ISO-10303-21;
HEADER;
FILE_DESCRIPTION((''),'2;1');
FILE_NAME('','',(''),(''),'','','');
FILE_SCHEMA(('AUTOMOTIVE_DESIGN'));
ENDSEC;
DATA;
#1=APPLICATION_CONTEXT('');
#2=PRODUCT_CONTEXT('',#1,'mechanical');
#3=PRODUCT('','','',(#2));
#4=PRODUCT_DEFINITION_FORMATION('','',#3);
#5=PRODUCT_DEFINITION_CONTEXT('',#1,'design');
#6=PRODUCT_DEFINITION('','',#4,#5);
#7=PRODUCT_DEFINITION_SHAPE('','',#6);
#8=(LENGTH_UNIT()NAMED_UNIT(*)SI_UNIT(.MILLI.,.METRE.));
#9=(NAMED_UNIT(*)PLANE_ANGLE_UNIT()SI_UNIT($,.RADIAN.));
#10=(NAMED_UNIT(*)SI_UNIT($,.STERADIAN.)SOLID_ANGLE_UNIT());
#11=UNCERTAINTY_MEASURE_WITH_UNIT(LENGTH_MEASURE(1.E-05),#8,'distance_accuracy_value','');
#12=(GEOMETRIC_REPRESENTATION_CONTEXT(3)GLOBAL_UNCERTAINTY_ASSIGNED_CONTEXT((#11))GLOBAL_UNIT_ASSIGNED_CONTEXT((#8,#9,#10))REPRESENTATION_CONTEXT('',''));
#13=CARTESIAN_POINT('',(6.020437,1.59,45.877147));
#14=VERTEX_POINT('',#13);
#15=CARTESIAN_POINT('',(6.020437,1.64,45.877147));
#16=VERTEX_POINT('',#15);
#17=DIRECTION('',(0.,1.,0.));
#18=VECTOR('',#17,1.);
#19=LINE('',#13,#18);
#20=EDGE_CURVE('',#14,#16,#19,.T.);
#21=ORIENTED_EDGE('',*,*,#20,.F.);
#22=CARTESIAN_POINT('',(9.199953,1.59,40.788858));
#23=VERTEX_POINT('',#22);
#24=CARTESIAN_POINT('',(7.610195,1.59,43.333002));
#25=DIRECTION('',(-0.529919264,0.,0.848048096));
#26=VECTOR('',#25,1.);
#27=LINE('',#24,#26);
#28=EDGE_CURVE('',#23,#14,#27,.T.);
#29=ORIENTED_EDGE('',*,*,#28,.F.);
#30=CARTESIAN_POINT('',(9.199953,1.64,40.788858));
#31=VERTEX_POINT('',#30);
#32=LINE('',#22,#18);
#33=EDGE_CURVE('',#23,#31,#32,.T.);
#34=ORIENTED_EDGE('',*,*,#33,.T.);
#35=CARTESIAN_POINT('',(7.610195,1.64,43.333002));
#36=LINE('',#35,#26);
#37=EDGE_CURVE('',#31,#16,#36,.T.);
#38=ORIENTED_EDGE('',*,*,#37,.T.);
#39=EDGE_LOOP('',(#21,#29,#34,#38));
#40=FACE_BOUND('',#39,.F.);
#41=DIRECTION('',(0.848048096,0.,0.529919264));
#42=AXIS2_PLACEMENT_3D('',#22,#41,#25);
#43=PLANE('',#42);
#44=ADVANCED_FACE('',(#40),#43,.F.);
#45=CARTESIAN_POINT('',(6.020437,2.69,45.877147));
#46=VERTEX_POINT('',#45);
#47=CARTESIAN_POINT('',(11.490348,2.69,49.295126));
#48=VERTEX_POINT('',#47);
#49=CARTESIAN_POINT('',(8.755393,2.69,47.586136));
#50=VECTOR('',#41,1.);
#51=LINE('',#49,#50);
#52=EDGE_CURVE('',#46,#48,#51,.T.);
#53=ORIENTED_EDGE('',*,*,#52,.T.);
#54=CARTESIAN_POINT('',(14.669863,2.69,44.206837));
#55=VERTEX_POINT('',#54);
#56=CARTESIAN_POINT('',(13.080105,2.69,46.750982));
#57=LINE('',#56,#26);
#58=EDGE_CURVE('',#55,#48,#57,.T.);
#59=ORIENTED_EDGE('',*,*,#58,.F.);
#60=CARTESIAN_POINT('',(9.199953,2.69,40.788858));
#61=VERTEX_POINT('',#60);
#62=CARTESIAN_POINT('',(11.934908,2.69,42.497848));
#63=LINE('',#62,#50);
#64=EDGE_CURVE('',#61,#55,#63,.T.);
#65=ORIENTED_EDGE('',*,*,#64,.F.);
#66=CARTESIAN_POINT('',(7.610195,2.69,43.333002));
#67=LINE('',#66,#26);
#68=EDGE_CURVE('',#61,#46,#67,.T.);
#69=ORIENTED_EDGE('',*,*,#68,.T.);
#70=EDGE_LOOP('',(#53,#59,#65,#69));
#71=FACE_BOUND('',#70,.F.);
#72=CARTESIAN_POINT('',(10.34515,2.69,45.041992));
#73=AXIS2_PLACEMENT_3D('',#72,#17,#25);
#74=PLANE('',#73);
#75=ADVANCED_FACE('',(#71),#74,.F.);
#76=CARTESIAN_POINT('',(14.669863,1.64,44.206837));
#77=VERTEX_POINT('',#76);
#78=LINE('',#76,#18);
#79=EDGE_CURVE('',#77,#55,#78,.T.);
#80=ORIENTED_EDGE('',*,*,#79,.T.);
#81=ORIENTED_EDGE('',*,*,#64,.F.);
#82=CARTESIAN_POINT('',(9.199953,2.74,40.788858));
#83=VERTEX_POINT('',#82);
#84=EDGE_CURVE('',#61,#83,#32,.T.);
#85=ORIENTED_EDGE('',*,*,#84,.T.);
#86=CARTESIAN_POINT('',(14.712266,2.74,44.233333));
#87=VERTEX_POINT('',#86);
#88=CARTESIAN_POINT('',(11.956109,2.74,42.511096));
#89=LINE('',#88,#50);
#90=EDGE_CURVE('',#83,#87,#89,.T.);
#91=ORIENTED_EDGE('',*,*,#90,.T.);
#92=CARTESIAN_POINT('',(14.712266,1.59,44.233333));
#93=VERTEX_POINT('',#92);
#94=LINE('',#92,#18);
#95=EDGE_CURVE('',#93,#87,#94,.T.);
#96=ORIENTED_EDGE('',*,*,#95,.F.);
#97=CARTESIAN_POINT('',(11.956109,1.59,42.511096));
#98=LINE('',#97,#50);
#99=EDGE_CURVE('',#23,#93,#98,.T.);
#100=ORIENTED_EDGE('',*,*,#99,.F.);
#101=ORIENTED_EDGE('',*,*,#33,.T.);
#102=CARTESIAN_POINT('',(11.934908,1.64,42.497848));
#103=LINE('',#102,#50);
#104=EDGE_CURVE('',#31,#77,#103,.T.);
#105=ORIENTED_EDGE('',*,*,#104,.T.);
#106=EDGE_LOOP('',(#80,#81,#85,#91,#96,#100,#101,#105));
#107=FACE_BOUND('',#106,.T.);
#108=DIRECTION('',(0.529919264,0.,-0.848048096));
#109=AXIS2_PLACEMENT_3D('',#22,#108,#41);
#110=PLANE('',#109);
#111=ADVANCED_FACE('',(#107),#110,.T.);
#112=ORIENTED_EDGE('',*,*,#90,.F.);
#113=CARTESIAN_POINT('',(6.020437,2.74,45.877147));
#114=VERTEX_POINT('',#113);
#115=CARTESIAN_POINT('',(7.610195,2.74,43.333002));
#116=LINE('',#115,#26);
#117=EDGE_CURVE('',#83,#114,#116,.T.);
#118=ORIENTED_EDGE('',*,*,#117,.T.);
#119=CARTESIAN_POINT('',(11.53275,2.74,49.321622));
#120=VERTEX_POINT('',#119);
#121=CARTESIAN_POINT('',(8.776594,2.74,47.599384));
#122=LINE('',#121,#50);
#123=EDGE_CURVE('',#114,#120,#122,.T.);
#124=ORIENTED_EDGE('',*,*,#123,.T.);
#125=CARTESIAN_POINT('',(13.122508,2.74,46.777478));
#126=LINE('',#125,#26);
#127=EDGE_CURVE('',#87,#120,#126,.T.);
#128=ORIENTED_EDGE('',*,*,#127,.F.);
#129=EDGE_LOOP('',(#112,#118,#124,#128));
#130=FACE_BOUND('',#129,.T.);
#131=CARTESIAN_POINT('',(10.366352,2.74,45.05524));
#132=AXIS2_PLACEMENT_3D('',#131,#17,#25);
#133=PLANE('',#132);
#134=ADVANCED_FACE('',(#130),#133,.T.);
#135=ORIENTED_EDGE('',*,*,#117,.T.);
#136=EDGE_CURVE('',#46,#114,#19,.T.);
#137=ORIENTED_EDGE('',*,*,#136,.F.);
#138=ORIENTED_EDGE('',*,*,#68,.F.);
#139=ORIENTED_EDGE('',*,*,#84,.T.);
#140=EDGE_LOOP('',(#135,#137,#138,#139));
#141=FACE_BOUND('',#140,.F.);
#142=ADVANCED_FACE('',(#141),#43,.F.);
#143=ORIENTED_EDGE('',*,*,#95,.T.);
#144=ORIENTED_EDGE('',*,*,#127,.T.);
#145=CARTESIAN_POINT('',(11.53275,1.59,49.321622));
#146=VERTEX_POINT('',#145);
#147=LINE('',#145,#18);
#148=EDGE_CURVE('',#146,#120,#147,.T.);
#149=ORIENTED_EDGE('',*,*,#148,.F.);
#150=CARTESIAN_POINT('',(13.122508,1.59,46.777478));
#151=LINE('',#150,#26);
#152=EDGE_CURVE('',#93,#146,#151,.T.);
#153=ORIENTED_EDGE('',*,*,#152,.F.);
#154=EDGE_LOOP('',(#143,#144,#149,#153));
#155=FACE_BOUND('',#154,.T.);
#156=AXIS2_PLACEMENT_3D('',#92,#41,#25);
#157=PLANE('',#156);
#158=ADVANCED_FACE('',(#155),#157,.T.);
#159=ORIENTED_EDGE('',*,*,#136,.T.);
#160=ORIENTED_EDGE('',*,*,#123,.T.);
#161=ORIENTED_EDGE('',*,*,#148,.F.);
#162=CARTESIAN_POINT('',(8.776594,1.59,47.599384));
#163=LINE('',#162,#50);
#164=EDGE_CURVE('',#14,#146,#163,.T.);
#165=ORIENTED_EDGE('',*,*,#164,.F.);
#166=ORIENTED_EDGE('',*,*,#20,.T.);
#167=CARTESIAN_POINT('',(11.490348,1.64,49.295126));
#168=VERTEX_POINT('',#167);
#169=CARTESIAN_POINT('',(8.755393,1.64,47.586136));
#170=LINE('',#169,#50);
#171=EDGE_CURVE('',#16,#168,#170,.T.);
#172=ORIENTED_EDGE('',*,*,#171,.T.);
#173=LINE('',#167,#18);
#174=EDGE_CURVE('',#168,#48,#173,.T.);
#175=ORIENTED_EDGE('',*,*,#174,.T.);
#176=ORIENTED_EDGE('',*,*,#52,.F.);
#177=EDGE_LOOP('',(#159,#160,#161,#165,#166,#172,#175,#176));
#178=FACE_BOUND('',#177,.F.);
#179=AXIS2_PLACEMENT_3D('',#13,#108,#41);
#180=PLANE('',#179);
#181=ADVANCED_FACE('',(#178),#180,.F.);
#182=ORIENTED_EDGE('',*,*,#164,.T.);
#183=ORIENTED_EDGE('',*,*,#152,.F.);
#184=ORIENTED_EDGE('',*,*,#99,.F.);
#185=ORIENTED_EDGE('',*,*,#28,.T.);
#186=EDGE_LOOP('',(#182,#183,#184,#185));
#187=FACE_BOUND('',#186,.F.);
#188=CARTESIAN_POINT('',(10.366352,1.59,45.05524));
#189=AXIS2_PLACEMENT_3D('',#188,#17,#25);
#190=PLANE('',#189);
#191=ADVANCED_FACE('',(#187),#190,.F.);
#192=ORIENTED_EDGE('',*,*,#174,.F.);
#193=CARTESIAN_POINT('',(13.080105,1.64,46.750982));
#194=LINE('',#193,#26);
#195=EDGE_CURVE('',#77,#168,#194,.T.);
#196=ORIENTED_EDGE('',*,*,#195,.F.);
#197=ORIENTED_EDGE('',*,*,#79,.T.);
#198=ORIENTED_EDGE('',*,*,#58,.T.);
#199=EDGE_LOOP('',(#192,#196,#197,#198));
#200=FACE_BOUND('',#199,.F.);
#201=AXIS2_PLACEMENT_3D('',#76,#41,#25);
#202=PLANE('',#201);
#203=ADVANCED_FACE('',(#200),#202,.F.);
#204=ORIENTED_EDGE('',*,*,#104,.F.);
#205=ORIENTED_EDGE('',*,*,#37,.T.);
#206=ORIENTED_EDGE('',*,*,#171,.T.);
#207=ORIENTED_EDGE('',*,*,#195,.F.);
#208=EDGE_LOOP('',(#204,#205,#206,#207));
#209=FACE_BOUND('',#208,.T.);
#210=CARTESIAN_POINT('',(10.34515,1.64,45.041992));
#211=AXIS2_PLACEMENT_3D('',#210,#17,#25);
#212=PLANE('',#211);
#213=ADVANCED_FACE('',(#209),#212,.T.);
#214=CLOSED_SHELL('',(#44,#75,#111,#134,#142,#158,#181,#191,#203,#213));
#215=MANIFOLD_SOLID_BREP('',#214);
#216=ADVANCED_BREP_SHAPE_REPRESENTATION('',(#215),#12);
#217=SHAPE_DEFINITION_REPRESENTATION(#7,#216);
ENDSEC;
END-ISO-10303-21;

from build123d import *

# Parameters (mm, degrees)
BOX158_W               = 6
BOX158_H               = 6.45
BOX158_DEPTH           = 1.05
BOX157_W               = 6
BOX157_H               = 6.5
BOX157_DEPTH           = 1.15
CUT076_ROLL_ANGLE      = 90
CUT076_PITCH_ANGLE     = -58
CUT076_PLACEMENT_ANGLE = 180


with BuildPart() as small_cu_gnd_electrode064:
    # Box158 → Box158 (new body)
    with BuildSketch(Plane.XY.offset(0.05)):
        with Locations((3, 3.225)):
            Rectangle(BOX158_W, BOX158_H)
    extrude(amount=BOX158_DEPTH)


with BuildPart() as small_cu_electrode_short_axis_gnd007:
    # Box157 → Box157 (new body)
    with BuildSketch(Plane.XY):
        with Locations((3, 3.25)):
            Rectangle(BOX157_W, BOX157_H)
    extrude(amount=BOX157_DEPTH)

    # Cut076: cut Small Cu GND Electrode064
    add(small_cu_gnd_electrode064.part, mode=Mode.SUBTRACT)


with BuildPart() as small_cu_electrode_short_axis_gnd007_1:
    # Cut076 roll: moved
    add(small_cu_electrode_short_axis_gnd007.part.rotate(Axis((0, 0, 0), (1, 0, 0)), CUT076_ROLL_ANGLE))


with BuildPart() as small_cu_electrode_short_axis_gnd007_2:
    # Cut076 pitch: moved
    add(small_cu_electrode_short_axis_gnd007_1.part.rotate(Axis((0, 0, 0), (0, 1, 0)), CUT076_PITCH_ANGLE))


with BuildPart() as small_cu_electrode_short_axis_gnd007_3:
    # Cut076 placement: moved
    add(small_cu_electrode_short_axis_gnd007_2.part.moved(Location((9.199953, 1.59, 40.788858))).rotate(Axis((9.199953, 1.59, 40.788858), (0, 0, 1)), CUT076_PLACEMENT_ANGLE))


solid = small_cu_electrode_short_axis_gnd007_3.part
